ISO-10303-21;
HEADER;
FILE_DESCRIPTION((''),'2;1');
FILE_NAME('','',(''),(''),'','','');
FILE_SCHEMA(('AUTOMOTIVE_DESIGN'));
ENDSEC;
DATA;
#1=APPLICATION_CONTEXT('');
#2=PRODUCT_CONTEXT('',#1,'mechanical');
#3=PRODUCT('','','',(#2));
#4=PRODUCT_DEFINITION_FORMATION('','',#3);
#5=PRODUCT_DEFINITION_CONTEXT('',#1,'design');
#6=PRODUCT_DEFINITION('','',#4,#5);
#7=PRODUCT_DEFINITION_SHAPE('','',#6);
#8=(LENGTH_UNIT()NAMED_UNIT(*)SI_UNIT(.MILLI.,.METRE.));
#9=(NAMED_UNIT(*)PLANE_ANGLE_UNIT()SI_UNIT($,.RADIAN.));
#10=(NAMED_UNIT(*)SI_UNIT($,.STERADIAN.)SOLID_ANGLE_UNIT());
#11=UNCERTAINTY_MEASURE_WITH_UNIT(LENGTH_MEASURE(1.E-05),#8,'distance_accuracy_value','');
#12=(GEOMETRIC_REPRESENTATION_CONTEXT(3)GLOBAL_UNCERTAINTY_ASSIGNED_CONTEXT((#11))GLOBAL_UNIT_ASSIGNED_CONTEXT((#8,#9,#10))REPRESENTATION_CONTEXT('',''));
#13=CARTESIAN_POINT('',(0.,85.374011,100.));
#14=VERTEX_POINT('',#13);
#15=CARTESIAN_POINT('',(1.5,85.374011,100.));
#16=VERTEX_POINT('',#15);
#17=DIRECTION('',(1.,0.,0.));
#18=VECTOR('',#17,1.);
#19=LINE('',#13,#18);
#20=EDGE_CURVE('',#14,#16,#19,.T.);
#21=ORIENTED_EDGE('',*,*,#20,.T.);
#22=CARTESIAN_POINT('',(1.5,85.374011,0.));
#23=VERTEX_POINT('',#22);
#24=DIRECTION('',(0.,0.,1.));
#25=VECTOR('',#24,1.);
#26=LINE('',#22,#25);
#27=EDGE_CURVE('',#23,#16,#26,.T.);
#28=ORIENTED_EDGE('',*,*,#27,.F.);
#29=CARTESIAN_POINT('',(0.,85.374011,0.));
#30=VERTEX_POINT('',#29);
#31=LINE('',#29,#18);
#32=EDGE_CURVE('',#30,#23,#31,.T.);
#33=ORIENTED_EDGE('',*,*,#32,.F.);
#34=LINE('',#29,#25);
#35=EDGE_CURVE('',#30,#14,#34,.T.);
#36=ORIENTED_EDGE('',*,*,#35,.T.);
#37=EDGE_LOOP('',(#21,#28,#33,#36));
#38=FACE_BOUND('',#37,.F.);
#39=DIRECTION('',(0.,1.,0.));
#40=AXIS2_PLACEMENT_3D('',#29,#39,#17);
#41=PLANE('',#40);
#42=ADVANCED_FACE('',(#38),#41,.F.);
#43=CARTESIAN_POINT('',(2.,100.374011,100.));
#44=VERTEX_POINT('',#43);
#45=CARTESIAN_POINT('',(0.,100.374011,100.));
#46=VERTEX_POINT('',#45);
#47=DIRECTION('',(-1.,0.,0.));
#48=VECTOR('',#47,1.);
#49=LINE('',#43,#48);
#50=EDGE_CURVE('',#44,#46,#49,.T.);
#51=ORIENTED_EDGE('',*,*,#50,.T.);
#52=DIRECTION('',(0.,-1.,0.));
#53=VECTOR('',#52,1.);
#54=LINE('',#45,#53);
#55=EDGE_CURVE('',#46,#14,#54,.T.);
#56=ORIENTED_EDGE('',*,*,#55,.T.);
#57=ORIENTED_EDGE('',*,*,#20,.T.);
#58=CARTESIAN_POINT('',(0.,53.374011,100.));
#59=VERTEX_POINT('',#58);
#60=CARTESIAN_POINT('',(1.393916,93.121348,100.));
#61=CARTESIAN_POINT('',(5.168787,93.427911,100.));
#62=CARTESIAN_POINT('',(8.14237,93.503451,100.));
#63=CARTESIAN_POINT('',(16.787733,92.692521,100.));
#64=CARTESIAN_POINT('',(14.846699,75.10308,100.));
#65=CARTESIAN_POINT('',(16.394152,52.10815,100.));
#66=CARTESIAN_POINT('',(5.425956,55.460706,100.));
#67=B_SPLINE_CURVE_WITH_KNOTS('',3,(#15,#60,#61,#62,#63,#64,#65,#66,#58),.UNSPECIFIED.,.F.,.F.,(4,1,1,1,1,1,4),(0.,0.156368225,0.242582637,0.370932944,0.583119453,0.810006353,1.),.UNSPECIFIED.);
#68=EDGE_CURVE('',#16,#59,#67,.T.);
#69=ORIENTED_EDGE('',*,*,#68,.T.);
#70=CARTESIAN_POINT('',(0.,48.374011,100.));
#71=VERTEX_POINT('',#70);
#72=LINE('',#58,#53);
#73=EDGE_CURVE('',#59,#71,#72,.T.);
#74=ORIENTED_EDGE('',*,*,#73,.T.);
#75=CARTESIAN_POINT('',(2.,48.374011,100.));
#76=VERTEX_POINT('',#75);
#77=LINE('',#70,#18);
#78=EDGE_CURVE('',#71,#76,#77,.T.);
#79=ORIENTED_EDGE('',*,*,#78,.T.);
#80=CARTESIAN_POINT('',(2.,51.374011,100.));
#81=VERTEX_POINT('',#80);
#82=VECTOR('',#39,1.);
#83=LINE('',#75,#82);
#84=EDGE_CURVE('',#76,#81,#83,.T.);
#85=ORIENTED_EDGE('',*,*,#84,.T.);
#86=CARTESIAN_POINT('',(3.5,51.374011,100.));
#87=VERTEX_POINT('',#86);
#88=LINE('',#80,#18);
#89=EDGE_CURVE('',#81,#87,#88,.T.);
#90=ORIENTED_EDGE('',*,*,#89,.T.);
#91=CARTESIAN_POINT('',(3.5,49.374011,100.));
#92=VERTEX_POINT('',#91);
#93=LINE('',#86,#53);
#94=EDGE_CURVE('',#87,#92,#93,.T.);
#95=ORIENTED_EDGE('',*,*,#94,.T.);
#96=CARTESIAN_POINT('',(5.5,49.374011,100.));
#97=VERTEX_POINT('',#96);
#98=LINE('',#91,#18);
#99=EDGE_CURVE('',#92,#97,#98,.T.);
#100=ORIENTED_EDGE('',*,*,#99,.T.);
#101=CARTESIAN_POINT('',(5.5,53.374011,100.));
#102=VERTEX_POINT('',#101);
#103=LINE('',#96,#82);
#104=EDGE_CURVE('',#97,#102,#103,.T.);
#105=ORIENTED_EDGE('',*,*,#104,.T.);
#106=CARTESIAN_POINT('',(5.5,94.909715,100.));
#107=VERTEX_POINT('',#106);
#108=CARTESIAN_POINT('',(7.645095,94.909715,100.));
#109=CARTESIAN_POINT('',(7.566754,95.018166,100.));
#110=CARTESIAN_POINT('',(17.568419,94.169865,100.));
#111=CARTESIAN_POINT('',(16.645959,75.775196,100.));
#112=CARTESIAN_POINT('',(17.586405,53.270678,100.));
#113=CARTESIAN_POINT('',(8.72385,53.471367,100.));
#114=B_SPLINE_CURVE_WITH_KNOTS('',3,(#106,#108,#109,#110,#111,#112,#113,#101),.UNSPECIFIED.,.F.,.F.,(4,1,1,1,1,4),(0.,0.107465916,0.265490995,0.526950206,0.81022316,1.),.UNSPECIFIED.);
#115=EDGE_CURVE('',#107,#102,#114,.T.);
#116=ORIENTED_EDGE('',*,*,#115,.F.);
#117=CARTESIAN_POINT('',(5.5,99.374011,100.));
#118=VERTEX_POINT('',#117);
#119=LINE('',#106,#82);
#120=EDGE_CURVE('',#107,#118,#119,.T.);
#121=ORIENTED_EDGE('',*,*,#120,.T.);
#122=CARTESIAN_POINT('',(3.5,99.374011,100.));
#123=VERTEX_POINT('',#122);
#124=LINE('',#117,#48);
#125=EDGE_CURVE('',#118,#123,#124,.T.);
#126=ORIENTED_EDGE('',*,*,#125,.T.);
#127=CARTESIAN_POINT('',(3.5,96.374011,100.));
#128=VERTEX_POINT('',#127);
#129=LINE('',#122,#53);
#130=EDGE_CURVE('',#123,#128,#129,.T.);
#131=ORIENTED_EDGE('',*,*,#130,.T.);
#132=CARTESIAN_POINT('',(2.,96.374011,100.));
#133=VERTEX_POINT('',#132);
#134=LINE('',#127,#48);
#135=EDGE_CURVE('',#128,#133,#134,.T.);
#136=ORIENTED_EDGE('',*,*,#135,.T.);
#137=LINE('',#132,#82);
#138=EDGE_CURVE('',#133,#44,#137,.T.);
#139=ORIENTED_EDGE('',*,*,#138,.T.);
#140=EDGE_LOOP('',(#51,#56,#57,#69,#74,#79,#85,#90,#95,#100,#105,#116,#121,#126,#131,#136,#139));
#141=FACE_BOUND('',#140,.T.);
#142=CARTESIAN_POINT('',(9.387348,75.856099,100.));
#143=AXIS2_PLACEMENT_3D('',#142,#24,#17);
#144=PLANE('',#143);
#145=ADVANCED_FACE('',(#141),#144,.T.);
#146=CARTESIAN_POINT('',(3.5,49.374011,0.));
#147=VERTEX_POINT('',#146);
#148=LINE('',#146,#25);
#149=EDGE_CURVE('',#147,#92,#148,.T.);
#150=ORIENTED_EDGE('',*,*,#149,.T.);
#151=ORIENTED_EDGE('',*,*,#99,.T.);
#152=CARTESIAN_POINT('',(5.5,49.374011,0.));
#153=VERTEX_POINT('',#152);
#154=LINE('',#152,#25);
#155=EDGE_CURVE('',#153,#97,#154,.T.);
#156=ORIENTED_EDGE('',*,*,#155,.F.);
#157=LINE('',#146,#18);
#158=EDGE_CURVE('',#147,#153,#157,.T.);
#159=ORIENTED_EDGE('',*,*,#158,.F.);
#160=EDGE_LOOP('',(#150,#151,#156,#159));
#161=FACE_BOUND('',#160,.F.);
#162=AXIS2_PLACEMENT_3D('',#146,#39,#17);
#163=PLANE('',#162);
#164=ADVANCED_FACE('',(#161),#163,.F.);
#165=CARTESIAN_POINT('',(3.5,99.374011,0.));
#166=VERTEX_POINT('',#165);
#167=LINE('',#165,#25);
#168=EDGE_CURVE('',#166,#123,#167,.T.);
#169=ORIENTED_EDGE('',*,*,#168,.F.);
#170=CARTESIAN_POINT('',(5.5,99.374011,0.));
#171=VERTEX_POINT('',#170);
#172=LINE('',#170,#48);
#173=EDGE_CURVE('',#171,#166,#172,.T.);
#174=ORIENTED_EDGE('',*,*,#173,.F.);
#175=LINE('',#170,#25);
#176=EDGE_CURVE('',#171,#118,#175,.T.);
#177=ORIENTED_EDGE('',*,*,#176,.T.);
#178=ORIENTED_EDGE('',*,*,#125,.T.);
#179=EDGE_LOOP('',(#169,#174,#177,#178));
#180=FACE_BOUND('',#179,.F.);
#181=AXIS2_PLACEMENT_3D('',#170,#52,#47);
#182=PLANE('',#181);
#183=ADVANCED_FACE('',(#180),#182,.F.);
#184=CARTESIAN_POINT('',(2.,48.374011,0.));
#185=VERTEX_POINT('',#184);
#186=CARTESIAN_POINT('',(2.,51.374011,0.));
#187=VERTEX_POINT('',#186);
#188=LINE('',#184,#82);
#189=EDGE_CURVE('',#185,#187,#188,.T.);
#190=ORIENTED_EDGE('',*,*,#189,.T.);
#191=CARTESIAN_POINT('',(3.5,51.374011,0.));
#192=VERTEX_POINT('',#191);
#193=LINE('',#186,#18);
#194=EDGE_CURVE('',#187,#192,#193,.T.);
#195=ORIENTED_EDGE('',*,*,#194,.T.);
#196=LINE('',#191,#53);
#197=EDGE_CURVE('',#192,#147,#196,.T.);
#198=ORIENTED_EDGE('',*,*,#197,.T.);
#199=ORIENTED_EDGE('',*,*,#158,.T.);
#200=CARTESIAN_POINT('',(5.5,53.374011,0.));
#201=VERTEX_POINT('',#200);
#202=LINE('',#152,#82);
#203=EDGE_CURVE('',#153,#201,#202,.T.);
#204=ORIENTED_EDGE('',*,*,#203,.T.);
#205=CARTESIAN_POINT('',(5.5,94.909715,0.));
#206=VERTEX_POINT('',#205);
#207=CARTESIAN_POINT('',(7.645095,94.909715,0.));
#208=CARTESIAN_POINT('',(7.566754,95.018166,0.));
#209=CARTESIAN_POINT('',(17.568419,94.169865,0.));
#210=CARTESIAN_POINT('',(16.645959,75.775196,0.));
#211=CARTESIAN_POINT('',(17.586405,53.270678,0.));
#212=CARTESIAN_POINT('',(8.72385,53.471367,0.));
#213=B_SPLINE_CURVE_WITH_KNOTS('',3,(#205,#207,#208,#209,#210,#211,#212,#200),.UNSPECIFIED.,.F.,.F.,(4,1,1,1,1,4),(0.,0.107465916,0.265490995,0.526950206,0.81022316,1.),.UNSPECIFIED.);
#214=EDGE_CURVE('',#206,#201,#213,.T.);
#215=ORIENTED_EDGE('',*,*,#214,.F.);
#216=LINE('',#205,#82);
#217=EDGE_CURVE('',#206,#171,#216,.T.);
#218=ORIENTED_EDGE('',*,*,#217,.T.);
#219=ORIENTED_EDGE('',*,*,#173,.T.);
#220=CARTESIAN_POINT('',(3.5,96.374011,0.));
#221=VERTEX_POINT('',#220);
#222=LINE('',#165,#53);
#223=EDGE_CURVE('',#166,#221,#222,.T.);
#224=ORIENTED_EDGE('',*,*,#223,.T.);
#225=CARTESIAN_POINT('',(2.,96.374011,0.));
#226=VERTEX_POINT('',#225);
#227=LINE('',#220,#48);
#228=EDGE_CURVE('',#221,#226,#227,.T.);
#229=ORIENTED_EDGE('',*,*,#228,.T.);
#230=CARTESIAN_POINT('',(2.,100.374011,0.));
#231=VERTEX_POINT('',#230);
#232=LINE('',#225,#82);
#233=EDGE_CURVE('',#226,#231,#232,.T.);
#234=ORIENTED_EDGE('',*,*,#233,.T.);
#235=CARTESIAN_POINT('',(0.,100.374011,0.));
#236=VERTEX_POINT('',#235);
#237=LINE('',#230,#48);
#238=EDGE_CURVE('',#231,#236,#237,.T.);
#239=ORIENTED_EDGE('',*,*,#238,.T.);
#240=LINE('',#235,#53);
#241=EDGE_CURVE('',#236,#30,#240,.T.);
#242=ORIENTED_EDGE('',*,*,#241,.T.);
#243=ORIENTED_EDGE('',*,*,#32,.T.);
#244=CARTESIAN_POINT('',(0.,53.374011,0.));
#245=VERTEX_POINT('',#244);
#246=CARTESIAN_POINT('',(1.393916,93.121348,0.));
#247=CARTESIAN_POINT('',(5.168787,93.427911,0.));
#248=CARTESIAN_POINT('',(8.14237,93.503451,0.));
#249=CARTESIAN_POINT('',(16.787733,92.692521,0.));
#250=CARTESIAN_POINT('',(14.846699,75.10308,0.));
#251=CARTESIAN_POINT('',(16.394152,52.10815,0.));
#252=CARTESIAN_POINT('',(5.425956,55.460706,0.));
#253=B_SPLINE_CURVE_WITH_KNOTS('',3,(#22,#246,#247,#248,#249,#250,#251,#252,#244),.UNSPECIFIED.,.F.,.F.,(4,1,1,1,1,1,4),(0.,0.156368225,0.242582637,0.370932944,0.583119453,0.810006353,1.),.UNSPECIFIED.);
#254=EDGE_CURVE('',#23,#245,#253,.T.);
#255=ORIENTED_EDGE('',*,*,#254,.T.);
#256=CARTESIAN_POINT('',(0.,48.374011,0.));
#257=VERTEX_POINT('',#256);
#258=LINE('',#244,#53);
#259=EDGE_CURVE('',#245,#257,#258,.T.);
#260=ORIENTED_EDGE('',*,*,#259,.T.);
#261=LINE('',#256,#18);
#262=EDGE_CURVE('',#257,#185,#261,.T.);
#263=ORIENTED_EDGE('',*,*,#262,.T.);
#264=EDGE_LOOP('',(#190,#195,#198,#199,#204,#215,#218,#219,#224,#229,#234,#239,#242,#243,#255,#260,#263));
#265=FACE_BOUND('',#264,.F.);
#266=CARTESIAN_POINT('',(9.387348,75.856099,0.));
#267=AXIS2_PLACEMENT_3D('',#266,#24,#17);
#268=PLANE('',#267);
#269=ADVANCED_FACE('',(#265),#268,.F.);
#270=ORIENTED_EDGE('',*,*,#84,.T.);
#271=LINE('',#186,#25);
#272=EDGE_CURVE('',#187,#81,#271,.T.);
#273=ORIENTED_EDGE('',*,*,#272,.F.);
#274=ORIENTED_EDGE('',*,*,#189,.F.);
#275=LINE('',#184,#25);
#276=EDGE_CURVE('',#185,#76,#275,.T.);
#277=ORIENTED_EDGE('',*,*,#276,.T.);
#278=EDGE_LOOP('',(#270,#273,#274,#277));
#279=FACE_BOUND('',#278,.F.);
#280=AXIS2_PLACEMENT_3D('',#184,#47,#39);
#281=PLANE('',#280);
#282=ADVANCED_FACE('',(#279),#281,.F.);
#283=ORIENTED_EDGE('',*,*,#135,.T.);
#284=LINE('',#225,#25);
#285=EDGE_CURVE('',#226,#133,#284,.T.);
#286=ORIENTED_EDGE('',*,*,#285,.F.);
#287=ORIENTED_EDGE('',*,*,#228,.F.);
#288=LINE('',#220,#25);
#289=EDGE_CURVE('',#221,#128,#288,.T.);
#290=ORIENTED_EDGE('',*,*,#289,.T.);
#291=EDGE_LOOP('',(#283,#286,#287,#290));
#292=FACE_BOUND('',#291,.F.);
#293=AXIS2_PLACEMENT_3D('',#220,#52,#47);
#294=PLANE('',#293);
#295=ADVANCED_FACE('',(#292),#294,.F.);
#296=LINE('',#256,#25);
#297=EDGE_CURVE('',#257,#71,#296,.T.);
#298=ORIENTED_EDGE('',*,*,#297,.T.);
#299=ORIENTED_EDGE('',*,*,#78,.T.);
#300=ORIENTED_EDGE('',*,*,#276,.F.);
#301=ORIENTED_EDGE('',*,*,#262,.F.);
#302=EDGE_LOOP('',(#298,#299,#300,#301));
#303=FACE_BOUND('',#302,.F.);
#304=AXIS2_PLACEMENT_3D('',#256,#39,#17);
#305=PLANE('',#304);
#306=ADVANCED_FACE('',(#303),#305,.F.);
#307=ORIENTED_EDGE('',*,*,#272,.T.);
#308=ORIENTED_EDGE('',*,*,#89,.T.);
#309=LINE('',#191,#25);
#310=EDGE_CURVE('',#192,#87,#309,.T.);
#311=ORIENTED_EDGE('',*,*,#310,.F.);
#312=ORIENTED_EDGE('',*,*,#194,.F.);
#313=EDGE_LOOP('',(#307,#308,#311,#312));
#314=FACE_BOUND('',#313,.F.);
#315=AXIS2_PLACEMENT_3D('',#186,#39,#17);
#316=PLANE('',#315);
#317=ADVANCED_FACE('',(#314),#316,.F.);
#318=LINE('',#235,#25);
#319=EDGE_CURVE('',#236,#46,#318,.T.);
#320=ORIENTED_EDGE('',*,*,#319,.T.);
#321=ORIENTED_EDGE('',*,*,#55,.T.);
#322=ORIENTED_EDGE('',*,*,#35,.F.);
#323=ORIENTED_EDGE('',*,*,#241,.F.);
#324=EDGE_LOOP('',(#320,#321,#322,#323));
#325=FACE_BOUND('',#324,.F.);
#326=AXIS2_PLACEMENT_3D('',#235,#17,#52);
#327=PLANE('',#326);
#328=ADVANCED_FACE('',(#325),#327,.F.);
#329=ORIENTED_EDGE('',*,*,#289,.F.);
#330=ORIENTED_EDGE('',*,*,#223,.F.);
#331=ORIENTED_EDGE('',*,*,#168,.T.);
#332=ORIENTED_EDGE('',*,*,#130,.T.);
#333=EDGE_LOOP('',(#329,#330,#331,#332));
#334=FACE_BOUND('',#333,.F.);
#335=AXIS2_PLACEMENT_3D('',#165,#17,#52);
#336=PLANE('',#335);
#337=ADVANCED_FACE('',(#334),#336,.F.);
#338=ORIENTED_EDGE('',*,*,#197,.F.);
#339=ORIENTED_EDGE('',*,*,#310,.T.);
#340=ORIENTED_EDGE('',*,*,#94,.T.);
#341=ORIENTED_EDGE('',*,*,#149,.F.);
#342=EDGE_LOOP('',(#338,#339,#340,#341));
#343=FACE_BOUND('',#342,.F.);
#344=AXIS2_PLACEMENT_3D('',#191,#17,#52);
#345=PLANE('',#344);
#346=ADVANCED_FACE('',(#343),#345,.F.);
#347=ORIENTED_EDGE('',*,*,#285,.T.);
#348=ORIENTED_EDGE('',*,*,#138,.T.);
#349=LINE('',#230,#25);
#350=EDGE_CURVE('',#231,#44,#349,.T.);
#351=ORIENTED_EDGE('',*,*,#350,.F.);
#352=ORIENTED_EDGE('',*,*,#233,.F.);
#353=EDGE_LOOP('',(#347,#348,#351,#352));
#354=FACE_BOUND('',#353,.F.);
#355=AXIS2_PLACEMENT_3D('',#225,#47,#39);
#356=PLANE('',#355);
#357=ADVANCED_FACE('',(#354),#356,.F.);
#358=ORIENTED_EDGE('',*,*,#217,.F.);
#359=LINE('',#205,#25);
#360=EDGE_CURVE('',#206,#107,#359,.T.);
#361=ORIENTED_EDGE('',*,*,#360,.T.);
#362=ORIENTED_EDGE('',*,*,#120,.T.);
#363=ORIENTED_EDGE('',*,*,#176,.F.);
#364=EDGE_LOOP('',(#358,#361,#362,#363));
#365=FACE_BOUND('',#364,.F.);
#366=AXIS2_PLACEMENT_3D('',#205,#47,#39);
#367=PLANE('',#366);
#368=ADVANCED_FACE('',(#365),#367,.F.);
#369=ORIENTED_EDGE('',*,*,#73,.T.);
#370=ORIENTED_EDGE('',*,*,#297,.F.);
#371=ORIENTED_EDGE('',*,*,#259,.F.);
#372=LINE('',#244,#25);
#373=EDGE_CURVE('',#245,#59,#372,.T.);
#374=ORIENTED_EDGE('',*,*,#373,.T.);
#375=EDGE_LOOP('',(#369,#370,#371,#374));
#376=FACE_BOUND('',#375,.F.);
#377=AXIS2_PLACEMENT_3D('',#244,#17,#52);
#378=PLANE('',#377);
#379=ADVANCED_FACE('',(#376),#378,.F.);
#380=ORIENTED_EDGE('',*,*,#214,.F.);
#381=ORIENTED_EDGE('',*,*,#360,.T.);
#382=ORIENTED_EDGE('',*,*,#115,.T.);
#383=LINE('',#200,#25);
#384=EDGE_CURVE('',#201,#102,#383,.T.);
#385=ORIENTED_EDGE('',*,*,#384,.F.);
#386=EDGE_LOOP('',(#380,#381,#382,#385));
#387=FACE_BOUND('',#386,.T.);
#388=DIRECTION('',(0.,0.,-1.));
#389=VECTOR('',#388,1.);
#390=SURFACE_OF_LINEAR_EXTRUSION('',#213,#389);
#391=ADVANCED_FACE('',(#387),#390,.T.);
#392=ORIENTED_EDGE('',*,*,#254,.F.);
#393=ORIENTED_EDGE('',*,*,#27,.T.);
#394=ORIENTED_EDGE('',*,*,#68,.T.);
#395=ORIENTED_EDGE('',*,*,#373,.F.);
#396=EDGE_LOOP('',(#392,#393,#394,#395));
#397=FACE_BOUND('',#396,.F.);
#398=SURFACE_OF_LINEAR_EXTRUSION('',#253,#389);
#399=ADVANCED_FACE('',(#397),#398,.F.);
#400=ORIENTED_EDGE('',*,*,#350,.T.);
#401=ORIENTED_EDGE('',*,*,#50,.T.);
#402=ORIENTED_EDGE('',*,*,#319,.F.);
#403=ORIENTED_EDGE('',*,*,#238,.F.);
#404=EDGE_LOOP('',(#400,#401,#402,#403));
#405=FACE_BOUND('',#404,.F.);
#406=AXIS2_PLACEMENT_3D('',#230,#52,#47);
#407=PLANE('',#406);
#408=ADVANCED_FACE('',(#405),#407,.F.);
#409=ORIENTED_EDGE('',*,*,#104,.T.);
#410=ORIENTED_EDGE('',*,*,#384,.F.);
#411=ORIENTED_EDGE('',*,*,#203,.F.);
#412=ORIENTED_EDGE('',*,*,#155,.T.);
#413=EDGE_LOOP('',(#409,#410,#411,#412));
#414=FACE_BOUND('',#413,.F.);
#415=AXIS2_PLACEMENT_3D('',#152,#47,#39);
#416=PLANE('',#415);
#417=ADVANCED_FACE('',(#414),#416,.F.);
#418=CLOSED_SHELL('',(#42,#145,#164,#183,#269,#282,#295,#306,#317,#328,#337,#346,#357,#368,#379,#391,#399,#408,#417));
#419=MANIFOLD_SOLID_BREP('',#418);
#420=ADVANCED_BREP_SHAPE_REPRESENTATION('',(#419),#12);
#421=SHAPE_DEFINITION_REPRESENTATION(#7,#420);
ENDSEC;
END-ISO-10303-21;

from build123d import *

# Parameters (mm, degrees)
F1_DEPTH = 100


with BuildPart() as f1:
    # F0 (on Top) → F1 (new body)
    with BuildSketch(Plane.XY):
        with BuildLine():
            Line((2, 100.3740105144), (0, 100.3740105144))
            Line((0, 100.3740105144), (0, 85.3740105144))
            Line((0, 85.3740105144), (1.5, 85.3740105144))
            add(Edge.make_bspline(
                [(1.5, 85.3740105144), (1.3939157059, 93.1213484798), (5.1687872173, 93.4279109213), (8.1423699069, 93.5034508883), (16.7877332495, 92.6925206044), (14.846698817, 75.1030797459), (16.3941520641, 52.1081501026), (5.4259561939, 55.4607057519), (0, 53.3740105144)],
                knots=[0, 0, 0, 0, 0.1563682253, 0.2425826373, 0.3709329444, 0.5831194527, 0.8100063534, 1, 1, 1, 1], degree=3))
            Line((0, 53.3740105144), (0, 48.3740105144))
            Line((0, 48.3740105144), (2, 48.3740105144))
            Line((2, 48.3740105144), (2, 51.3740105144))
            Line((2, 51.3740105144), (3.5, 51.3740105144))
            Line((3.5, 51.3740105144), (3.5, 49.3740105144))
            Line((3.5, 49.3740105144), (5.5, 49.3740105144))
            Line((5.5, 49.3740105144), (5.5, 53.3740105144))
            add(Edge.make_bspline(
                [(5.5, 94.9097154681), (7.6450947277, 94.9097154681), (7.5667543597, 95.018165846), (17.568419472, 94.1698647911), (16.6459586004, 75.7751963074), (17.5864049427, 53.2706775547), (8.7238503157, 53.4713672496), (5.5, 53.3740105144)],
                knots=[0, 0, 0, 0, 0.1074659159, 0.2654909955, 0.5269502058, 0.8102231603, 1, 1, 1, 1], degree=3))
            Line((5.5, 94.9097154681), (5.5, 99.3740105144))
            Line((5.5, 99.3740105144), (3.5, 99.3740105144))
            Line((3.5, 99.3740105144), (3.5, 96.3740105144))
            Line((3.5, 96.3740105144), (2, 96.3740105144))
            Line((2, 96.3740105144), (2, 100.3740105144))
        make_face()
    extrude(amount=F1_DEPTH)


solid = f1.part
